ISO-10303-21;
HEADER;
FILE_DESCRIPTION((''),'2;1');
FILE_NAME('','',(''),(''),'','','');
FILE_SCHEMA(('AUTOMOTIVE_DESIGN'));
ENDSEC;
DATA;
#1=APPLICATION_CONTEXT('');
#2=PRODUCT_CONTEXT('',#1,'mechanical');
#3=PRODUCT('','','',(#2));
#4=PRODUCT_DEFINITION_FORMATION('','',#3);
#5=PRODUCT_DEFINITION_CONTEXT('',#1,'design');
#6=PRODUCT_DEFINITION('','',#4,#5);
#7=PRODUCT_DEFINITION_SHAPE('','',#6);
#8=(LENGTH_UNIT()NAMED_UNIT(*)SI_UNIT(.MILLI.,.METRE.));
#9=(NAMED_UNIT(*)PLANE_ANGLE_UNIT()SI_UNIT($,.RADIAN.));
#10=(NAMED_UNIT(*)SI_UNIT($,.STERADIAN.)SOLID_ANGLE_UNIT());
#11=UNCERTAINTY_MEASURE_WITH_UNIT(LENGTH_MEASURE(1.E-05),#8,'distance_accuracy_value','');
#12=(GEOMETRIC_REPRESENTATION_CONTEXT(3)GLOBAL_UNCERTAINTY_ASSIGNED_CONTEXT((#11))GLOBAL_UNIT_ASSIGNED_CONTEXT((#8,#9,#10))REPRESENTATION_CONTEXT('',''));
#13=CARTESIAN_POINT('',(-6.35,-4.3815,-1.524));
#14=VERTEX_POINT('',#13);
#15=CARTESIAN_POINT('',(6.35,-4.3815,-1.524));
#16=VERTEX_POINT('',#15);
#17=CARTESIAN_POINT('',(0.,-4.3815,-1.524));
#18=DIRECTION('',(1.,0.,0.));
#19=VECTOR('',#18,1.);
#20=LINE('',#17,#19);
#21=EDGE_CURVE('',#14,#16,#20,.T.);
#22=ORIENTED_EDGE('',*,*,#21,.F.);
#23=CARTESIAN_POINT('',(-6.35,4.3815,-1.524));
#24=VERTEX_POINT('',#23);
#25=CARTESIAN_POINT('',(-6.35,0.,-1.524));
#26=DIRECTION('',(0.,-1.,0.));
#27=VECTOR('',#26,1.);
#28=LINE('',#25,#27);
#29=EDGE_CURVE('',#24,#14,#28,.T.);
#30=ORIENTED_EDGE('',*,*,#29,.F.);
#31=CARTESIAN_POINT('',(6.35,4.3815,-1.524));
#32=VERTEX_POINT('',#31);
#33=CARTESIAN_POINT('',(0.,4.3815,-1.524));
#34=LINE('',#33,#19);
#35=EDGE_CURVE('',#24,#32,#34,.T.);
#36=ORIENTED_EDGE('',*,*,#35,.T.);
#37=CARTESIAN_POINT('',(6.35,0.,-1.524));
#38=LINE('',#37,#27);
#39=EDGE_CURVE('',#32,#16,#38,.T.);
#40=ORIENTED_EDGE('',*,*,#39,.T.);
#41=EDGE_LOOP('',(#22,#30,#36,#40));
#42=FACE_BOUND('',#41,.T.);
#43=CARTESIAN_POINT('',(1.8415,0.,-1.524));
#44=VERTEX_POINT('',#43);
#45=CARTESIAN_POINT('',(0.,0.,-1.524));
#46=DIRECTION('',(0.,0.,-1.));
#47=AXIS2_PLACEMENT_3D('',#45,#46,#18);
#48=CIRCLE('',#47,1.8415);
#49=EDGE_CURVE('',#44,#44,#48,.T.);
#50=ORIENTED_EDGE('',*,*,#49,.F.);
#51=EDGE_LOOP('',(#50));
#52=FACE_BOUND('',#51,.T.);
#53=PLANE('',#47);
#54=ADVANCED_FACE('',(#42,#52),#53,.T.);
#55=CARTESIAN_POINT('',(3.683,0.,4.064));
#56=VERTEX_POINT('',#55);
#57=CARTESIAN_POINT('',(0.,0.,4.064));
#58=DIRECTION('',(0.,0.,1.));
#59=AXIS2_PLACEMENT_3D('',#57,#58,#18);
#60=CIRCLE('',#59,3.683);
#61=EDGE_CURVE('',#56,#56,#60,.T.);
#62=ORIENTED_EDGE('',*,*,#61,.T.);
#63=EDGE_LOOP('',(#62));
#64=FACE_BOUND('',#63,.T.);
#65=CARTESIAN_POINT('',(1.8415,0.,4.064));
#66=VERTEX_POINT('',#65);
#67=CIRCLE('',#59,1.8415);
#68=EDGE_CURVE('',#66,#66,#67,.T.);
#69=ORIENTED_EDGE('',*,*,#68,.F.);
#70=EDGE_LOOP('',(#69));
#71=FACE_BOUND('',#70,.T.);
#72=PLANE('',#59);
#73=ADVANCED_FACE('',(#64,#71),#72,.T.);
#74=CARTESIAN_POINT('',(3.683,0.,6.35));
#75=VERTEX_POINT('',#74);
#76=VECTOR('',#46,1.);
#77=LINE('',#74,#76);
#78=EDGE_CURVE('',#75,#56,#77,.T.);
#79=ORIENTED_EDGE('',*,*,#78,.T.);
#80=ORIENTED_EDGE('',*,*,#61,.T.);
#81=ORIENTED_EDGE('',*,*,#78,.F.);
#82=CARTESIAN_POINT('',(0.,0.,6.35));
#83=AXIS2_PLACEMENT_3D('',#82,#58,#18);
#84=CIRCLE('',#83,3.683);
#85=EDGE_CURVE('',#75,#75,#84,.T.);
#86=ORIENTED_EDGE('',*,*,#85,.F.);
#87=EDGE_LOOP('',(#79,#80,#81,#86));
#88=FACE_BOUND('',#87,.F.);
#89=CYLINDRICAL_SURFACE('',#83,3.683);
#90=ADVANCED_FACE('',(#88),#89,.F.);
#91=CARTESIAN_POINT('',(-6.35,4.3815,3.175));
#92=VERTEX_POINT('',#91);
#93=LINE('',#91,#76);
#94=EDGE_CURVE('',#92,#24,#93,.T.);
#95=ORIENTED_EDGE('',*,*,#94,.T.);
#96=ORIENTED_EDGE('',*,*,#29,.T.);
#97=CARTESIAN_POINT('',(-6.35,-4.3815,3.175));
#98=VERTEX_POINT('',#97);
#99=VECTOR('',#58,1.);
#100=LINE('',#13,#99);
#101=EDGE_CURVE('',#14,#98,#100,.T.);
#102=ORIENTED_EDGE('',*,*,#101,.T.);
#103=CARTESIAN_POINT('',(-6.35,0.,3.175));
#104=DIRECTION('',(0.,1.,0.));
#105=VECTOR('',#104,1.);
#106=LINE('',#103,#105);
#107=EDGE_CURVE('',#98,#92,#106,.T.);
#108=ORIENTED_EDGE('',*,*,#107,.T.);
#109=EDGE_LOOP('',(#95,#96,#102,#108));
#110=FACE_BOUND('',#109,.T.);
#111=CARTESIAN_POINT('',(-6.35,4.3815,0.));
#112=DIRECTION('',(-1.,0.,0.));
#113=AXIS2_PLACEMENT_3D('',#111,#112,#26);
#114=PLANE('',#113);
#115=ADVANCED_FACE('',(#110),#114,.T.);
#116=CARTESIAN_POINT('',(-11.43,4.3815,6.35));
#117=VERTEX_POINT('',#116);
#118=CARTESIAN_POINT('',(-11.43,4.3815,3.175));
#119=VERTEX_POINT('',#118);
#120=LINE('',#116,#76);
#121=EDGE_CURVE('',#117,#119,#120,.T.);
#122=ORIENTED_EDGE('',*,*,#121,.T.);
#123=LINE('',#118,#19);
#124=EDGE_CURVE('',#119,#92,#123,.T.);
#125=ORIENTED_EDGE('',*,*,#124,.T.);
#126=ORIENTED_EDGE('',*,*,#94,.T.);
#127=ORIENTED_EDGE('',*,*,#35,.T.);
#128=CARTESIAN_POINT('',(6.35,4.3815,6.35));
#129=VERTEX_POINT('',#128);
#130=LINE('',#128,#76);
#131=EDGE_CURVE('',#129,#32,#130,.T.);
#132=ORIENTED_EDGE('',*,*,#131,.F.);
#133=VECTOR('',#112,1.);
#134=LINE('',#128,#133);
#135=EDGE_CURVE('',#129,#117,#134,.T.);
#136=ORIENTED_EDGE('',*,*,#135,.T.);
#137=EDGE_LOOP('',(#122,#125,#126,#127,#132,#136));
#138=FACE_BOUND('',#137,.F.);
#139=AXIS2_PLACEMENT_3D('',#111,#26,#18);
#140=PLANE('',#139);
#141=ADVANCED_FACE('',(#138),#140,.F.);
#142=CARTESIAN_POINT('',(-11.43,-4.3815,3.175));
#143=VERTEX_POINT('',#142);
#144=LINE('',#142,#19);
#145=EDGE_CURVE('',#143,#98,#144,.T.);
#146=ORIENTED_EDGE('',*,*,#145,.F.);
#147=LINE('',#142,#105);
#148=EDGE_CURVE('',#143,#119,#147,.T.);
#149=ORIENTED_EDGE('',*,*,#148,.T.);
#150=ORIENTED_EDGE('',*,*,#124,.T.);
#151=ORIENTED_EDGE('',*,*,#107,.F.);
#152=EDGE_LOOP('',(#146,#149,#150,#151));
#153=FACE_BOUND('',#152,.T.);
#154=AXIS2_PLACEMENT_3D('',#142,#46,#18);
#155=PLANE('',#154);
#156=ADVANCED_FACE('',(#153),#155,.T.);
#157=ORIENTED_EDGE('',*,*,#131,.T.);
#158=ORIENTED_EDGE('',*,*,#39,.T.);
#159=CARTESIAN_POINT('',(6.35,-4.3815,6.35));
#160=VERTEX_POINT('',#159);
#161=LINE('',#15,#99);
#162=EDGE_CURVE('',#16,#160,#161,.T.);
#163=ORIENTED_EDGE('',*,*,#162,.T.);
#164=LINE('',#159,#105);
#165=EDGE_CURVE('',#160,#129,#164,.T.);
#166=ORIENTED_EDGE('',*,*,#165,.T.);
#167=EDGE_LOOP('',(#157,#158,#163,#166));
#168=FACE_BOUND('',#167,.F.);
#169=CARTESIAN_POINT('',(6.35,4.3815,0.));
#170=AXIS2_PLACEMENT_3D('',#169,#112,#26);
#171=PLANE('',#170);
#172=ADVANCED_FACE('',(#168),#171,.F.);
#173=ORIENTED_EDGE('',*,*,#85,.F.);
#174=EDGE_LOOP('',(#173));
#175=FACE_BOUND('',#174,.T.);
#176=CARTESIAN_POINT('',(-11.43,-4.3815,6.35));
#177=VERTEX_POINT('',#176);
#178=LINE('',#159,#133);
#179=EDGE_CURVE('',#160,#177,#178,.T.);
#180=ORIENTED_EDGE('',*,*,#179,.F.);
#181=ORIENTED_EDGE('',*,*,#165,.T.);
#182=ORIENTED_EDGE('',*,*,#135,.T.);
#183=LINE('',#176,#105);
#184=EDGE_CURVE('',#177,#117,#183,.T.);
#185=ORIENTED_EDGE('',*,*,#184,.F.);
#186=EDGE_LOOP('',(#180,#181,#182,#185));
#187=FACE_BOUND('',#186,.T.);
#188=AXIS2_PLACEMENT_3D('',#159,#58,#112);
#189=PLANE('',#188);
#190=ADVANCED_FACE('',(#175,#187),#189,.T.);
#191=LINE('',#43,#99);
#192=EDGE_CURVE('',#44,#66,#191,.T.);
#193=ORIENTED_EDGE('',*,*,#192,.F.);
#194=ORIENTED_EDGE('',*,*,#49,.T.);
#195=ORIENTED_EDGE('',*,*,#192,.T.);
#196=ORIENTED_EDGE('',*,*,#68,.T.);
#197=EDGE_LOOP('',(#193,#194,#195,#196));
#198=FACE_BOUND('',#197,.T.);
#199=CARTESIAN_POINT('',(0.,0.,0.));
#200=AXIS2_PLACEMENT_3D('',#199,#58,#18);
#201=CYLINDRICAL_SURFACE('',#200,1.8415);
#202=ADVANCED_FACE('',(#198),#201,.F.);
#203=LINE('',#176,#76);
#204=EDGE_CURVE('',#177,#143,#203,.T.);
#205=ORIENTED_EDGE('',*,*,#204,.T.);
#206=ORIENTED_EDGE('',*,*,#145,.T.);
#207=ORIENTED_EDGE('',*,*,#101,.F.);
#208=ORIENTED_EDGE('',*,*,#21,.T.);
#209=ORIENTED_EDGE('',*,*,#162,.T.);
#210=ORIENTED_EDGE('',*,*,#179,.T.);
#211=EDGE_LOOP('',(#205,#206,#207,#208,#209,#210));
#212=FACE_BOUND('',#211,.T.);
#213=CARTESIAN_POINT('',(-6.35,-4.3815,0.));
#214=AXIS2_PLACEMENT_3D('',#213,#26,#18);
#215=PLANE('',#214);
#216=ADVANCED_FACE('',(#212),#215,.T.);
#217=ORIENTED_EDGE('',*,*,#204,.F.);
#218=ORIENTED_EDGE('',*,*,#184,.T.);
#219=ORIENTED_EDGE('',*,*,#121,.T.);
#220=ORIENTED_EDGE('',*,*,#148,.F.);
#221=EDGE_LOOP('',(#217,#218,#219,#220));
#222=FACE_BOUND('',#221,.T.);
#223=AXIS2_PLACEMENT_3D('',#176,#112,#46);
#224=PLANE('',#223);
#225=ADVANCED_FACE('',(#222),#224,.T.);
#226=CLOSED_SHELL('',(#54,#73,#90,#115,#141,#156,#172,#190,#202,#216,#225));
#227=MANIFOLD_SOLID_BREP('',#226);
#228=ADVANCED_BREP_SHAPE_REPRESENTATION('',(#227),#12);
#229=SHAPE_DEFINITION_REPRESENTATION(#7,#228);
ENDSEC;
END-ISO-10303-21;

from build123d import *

# Parameters (mm, degrees)
F0_W     = 12.7
F0_H     = 8.763
F1_DEPTH = 3.175
F3_DEPTH = 8.763
F4_R     = 1.8415
F5_DEPTH = 25.4
F6_R     = 3.683
F6_R_2   = 1.8415
F7_DEPTH = 2.286
F8_W     = 12.7
F8_H     = 8.763
F8_R     = 1.8415
F9_DEPTH = 1.524


with BuildPart() as f1:
    # F0 (on Top) → F1 (new body)
    with BuildSketch(Plane.XY):
        Rectangle(F0_W, F0_H)
    extrude(amount=F1_DEPTH)

    # F2 (on face) → F3 (join)
    with BuildSketch(Plane.XZ.offset(4.3815)):
        Polygon((-6.35, 3.175), (6.35, 3.175), (6.35, 6.35), (-11.43, 6.35), (-11.43, 3.175), align=None)
    extrude(amount=-F3_DEPTH)

    # F4 (on face) → F5 (cut)
    with BuildSketch(Plane.XY.offset(6.35)):
        Circle(F4_R)
    extrude(amount=-F5_DEPTH, mode=Mode.SUBTRACT)

    # F6 (on face) → F7 (cut)
    with BuildSketch(Plane.XY.offset(6.35)):
        Circle(F6_R)
        Circle(F6_R_2, mode=Mode.SUBTRACT)
    extrude(amount=-F7_DEPTH, mode=Mode.SUBTRACT)

    # F8 (on face) → F9 (join)
    with BuildSketch(Plane(origin=(0, 0, 0), x_dir=(1, 0, 0), z_dir=(0, 0, -1))):
        Rectangle(F8_W, F8_H)
        Circle(F8_R, mode=Mode.SUBTRACT)
    extrude(amount=F9_DEPTH)


solid = f1.part
